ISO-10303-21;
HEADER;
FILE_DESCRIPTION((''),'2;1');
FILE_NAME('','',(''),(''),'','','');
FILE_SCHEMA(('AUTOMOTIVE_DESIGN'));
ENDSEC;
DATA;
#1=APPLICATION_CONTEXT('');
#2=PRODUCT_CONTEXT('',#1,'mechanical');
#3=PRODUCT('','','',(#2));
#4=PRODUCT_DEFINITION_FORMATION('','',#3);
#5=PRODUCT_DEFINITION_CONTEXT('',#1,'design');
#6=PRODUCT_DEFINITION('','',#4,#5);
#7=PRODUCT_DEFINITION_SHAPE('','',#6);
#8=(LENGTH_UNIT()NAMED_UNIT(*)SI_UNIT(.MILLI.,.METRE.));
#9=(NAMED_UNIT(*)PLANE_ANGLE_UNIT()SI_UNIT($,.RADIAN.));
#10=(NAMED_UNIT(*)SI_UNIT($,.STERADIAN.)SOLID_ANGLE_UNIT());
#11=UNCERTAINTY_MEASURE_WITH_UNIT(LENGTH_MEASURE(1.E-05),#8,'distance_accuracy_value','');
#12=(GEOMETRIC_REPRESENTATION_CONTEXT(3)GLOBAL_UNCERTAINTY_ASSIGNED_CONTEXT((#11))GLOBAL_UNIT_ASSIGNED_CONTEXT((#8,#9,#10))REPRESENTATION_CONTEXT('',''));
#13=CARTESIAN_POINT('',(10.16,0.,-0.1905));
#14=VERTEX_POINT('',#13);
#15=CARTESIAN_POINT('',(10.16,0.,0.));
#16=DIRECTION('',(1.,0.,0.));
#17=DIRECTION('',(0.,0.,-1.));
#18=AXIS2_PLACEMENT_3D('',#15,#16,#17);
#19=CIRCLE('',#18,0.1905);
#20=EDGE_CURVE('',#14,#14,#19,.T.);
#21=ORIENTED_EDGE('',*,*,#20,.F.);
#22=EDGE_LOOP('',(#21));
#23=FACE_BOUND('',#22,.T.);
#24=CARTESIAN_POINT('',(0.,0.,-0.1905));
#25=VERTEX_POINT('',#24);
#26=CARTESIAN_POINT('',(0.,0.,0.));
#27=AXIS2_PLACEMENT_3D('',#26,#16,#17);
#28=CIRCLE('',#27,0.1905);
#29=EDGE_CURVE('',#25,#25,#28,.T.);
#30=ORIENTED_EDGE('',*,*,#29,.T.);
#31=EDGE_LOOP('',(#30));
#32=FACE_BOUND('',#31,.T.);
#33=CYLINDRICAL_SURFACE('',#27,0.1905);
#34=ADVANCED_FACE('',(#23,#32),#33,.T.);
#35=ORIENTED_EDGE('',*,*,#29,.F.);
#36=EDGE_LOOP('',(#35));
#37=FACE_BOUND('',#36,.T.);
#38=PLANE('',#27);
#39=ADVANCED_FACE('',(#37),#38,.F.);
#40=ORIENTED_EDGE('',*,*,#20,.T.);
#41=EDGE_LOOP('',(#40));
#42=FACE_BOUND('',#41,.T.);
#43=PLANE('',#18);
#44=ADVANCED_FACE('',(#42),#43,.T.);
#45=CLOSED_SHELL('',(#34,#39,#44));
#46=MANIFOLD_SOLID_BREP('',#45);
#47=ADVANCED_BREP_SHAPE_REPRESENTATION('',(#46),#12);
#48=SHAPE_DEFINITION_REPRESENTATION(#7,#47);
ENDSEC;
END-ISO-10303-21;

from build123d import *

# Parameters (mm, degrees)
SWEEP2_PROFILE_R = 0.1905


with BuildPart() as part:
    # Sweep2: sweep along a path in Sketch6
    with BuildLine(Plane.XY) as sweep2_path:
        Line((0, 0), (10.16, 0))
    # Sweep2 profile (on start of the path) → Sweep2 (sweep)
    with BuildSketch(Plane(origin=(0, 0, 0), x_dir=(0, 0, 1), z_dir=(1, 0, 0))):
        Circle(SWEEP2_PROFILE_R)
    sweep(path=sweep2_path.line)


solid = part.part
